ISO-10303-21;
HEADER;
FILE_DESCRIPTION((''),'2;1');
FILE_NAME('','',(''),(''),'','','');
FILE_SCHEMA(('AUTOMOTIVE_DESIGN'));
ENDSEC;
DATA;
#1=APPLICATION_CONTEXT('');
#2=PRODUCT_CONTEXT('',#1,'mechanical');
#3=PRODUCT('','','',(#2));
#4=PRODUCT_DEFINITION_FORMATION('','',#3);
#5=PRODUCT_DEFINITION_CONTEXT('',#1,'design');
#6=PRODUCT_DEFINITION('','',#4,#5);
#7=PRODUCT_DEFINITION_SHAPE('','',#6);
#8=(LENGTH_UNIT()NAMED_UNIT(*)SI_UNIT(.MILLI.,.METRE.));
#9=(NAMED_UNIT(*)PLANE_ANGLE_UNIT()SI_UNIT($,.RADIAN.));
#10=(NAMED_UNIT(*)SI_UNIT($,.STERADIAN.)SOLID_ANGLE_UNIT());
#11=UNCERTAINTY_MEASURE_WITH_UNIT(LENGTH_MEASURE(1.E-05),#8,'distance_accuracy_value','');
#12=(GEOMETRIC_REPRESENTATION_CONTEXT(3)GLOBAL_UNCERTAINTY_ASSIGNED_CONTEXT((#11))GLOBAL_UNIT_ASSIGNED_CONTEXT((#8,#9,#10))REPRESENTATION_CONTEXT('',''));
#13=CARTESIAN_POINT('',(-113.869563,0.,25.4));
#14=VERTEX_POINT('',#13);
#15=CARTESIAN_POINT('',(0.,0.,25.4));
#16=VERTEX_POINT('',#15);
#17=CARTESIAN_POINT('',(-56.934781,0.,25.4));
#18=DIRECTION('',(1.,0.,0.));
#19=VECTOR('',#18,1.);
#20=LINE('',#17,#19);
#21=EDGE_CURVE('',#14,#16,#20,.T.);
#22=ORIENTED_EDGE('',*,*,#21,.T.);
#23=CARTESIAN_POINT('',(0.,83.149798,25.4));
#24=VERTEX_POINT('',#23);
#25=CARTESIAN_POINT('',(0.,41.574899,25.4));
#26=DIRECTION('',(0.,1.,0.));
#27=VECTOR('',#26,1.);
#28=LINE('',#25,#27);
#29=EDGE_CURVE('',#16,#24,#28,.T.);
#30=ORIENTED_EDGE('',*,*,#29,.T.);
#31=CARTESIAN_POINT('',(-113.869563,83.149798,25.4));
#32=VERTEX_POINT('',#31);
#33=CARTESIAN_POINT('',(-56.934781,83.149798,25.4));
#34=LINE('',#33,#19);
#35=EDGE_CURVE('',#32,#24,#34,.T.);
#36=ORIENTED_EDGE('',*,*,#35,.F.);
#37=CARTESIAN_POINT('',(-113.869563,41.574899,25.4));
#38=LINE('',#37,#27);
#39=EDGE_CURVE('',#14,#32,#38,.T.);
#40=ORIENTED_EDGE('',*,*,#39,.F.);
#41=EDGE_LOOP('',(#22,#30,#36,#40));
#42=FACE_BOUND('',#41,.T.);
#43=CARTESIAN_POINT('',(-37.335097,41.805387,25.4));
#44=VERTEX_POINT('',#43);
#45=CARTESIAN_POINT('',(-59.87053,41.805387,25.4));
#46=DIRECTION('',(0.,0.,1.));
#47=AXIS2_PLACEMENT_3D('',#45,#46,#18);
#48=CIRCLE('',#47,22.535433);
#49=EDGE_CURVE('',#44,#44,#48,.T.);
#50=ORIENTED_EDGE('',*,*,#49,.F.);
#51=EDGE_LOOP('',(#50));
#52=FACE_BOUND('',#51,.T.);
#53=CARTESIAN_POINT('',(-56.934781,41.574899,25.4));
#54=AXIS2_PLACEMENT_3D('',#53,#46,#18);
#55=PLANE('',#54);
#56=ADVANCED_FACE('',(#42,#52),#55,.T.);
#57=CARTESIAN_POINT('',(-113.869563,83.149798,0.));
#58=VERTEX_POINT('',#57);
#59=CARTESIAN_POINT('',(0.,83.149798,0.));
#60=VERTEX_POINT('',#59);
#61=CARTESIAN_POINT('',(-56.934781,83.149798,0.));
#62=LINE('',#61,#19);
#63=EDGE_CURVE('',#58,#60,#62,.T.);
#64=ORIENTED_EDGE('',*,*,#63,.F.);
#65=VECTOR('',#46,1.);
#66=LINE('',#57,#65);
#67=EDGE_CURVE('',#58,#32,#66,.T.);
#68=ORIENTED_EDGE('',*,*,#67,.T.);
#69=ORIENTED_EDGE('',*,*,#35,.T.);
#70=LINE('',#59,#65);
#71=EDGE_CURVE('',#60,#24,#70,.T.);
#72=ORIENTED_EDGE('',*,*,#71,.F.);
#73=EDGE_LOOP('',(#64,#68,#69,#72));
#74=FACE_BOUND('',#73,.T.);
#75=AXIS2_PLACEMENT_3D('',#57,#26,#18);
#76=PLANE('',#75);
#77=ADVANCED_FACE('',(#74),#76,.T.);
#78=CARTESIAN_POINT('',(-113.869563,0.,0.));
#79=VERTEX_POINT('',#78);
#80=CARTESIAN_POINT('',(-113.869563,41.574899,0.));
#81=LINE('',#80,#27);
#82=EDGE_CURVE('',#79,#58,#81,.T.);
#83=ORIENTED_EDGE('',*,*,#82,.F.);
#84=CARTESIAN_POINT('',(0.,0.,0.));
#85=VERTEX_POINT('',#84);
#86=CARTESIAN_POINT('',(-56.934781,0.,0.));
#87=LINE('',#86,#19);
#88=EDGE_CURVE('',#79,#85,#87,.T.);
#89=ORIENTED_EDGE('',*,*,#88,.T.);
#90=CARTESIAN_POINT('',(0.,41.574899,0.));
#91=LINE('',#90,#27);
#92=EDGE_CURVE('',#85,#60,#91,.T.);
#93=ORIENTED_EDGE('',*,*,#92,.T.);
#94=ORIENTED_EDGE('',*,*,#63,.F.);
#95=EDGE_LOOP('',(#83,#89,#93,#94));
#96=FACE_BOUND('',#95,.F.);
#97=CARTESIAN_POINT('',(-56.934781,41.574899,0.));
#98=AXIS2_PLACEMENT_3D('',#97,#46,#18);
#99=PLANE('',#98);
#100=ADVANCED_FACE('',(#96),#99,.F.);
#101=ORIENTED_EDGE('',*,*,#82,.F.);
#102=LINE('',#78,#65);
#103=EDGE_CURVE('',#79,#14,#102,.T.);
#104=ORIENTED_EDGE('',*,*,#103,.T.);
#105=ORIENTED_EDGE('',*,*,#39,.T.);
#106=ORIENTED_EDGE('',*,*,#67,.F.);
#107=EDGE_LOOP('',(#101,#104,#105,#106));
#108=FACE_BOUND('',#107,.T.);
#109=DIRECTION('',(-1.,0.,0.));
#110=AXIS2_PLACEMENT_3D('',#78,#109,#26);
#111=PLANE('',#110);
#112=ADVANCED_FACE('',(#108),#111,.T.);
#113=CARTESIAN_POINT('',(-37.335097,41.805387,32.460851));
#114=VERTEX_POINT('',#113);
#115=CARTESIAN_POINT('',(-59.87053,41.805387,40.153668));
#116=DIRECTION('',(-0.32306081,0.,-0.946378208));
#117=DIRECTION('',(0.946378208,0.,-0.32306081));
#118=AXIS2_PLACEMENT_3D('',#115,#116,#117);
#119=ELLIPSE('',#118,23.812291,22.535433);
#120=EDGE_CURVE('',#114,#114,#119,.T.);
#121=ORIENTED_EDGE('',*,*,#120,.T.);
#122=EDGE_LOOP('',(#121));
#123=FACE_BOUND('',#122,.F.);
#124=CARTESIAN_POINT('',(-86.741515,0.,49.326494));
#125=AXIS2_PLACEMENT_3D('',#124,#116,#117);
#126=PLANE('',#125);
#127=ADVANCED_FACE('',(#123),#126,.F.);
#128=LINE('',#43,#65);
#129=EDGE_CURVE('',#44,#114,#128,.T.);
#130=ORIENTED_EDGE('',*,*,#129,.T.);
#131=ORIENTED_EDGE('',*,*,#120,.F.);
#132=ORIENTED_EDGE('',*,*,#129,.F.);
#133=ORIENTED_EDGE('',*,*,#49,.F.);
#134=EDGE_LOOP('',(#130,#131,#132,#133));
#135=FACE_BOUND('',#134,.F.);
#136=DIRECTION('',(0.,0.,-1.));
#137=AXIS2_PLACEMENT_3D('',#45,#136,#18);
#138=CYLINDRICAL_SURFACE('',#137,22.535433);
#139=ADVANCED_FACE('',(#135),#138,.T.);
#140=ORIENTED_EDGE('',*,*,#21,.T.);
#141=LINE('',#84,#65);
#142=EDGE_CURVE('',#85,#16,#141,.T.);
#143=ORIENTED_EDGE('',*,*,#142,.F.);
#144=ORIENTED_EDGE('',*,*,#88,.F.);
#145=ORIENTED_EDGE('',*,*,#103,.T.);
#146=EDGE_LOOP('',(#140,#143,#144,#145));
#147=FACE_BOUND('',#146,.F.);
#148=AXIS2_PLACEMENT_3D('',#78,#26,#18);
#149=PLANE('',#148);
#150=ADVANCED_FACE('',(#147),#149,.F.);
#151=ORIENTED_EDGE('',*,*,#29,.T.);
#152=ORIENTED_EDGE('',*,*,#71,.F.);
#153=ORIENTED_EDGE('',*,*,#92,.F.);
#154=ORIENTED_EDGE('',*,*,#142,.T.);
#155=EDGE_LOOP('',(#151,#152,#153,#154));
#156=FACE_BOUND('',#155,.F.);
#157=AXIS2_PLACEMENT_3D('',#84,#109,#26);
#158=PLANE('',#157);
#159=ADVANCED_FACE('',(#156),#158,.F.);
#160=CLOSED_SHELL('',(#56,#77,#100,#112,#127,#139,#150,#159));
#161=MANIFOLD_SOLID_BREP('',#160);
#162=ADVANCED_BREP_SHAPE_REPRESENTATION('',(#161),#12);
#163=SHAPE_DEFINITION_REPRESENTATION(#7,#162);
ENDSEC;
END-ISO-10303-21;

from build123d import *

# Parameters (mm, degrees)
F0_W     = 113.869563
F0_H     = 83.149798
F1_DEPTH = 25.4
F2_R     = 22.535433
F3_DEPTH = 25.4
F5_DEPTH = 76.2


with BuildPart() as f1:
    # F0 (on Top) → F1 (new body)
    with BuildSketch(Plane.XY):
        with Locations((-56.934781, 41.574899)):
            Rectangle(F0_W, F0_H)
    extrude(amount=F1_DEPTH)

    # F2 (on face) → F3 (join)
    with BuildSketch(Plane.XY.offset(25.4)):
        with Locations((-59.87053, 41.805387)):
            Circle(F2_R)
    extrude(amount=F3_DEPTH)

    # F4 (on Front) → F5 (cut)
    with BuildSketch(Plane.XZ):
        Polygon((-102.13092, 49.10665), (-86.741515, 49.326494), (-31.999189, 30.639356), (-31.999189, 64.935751), align=None)
    extrude(amount=-F5_DEPTH, mode=Mode.SUBTRACT)


solid = f1.part
